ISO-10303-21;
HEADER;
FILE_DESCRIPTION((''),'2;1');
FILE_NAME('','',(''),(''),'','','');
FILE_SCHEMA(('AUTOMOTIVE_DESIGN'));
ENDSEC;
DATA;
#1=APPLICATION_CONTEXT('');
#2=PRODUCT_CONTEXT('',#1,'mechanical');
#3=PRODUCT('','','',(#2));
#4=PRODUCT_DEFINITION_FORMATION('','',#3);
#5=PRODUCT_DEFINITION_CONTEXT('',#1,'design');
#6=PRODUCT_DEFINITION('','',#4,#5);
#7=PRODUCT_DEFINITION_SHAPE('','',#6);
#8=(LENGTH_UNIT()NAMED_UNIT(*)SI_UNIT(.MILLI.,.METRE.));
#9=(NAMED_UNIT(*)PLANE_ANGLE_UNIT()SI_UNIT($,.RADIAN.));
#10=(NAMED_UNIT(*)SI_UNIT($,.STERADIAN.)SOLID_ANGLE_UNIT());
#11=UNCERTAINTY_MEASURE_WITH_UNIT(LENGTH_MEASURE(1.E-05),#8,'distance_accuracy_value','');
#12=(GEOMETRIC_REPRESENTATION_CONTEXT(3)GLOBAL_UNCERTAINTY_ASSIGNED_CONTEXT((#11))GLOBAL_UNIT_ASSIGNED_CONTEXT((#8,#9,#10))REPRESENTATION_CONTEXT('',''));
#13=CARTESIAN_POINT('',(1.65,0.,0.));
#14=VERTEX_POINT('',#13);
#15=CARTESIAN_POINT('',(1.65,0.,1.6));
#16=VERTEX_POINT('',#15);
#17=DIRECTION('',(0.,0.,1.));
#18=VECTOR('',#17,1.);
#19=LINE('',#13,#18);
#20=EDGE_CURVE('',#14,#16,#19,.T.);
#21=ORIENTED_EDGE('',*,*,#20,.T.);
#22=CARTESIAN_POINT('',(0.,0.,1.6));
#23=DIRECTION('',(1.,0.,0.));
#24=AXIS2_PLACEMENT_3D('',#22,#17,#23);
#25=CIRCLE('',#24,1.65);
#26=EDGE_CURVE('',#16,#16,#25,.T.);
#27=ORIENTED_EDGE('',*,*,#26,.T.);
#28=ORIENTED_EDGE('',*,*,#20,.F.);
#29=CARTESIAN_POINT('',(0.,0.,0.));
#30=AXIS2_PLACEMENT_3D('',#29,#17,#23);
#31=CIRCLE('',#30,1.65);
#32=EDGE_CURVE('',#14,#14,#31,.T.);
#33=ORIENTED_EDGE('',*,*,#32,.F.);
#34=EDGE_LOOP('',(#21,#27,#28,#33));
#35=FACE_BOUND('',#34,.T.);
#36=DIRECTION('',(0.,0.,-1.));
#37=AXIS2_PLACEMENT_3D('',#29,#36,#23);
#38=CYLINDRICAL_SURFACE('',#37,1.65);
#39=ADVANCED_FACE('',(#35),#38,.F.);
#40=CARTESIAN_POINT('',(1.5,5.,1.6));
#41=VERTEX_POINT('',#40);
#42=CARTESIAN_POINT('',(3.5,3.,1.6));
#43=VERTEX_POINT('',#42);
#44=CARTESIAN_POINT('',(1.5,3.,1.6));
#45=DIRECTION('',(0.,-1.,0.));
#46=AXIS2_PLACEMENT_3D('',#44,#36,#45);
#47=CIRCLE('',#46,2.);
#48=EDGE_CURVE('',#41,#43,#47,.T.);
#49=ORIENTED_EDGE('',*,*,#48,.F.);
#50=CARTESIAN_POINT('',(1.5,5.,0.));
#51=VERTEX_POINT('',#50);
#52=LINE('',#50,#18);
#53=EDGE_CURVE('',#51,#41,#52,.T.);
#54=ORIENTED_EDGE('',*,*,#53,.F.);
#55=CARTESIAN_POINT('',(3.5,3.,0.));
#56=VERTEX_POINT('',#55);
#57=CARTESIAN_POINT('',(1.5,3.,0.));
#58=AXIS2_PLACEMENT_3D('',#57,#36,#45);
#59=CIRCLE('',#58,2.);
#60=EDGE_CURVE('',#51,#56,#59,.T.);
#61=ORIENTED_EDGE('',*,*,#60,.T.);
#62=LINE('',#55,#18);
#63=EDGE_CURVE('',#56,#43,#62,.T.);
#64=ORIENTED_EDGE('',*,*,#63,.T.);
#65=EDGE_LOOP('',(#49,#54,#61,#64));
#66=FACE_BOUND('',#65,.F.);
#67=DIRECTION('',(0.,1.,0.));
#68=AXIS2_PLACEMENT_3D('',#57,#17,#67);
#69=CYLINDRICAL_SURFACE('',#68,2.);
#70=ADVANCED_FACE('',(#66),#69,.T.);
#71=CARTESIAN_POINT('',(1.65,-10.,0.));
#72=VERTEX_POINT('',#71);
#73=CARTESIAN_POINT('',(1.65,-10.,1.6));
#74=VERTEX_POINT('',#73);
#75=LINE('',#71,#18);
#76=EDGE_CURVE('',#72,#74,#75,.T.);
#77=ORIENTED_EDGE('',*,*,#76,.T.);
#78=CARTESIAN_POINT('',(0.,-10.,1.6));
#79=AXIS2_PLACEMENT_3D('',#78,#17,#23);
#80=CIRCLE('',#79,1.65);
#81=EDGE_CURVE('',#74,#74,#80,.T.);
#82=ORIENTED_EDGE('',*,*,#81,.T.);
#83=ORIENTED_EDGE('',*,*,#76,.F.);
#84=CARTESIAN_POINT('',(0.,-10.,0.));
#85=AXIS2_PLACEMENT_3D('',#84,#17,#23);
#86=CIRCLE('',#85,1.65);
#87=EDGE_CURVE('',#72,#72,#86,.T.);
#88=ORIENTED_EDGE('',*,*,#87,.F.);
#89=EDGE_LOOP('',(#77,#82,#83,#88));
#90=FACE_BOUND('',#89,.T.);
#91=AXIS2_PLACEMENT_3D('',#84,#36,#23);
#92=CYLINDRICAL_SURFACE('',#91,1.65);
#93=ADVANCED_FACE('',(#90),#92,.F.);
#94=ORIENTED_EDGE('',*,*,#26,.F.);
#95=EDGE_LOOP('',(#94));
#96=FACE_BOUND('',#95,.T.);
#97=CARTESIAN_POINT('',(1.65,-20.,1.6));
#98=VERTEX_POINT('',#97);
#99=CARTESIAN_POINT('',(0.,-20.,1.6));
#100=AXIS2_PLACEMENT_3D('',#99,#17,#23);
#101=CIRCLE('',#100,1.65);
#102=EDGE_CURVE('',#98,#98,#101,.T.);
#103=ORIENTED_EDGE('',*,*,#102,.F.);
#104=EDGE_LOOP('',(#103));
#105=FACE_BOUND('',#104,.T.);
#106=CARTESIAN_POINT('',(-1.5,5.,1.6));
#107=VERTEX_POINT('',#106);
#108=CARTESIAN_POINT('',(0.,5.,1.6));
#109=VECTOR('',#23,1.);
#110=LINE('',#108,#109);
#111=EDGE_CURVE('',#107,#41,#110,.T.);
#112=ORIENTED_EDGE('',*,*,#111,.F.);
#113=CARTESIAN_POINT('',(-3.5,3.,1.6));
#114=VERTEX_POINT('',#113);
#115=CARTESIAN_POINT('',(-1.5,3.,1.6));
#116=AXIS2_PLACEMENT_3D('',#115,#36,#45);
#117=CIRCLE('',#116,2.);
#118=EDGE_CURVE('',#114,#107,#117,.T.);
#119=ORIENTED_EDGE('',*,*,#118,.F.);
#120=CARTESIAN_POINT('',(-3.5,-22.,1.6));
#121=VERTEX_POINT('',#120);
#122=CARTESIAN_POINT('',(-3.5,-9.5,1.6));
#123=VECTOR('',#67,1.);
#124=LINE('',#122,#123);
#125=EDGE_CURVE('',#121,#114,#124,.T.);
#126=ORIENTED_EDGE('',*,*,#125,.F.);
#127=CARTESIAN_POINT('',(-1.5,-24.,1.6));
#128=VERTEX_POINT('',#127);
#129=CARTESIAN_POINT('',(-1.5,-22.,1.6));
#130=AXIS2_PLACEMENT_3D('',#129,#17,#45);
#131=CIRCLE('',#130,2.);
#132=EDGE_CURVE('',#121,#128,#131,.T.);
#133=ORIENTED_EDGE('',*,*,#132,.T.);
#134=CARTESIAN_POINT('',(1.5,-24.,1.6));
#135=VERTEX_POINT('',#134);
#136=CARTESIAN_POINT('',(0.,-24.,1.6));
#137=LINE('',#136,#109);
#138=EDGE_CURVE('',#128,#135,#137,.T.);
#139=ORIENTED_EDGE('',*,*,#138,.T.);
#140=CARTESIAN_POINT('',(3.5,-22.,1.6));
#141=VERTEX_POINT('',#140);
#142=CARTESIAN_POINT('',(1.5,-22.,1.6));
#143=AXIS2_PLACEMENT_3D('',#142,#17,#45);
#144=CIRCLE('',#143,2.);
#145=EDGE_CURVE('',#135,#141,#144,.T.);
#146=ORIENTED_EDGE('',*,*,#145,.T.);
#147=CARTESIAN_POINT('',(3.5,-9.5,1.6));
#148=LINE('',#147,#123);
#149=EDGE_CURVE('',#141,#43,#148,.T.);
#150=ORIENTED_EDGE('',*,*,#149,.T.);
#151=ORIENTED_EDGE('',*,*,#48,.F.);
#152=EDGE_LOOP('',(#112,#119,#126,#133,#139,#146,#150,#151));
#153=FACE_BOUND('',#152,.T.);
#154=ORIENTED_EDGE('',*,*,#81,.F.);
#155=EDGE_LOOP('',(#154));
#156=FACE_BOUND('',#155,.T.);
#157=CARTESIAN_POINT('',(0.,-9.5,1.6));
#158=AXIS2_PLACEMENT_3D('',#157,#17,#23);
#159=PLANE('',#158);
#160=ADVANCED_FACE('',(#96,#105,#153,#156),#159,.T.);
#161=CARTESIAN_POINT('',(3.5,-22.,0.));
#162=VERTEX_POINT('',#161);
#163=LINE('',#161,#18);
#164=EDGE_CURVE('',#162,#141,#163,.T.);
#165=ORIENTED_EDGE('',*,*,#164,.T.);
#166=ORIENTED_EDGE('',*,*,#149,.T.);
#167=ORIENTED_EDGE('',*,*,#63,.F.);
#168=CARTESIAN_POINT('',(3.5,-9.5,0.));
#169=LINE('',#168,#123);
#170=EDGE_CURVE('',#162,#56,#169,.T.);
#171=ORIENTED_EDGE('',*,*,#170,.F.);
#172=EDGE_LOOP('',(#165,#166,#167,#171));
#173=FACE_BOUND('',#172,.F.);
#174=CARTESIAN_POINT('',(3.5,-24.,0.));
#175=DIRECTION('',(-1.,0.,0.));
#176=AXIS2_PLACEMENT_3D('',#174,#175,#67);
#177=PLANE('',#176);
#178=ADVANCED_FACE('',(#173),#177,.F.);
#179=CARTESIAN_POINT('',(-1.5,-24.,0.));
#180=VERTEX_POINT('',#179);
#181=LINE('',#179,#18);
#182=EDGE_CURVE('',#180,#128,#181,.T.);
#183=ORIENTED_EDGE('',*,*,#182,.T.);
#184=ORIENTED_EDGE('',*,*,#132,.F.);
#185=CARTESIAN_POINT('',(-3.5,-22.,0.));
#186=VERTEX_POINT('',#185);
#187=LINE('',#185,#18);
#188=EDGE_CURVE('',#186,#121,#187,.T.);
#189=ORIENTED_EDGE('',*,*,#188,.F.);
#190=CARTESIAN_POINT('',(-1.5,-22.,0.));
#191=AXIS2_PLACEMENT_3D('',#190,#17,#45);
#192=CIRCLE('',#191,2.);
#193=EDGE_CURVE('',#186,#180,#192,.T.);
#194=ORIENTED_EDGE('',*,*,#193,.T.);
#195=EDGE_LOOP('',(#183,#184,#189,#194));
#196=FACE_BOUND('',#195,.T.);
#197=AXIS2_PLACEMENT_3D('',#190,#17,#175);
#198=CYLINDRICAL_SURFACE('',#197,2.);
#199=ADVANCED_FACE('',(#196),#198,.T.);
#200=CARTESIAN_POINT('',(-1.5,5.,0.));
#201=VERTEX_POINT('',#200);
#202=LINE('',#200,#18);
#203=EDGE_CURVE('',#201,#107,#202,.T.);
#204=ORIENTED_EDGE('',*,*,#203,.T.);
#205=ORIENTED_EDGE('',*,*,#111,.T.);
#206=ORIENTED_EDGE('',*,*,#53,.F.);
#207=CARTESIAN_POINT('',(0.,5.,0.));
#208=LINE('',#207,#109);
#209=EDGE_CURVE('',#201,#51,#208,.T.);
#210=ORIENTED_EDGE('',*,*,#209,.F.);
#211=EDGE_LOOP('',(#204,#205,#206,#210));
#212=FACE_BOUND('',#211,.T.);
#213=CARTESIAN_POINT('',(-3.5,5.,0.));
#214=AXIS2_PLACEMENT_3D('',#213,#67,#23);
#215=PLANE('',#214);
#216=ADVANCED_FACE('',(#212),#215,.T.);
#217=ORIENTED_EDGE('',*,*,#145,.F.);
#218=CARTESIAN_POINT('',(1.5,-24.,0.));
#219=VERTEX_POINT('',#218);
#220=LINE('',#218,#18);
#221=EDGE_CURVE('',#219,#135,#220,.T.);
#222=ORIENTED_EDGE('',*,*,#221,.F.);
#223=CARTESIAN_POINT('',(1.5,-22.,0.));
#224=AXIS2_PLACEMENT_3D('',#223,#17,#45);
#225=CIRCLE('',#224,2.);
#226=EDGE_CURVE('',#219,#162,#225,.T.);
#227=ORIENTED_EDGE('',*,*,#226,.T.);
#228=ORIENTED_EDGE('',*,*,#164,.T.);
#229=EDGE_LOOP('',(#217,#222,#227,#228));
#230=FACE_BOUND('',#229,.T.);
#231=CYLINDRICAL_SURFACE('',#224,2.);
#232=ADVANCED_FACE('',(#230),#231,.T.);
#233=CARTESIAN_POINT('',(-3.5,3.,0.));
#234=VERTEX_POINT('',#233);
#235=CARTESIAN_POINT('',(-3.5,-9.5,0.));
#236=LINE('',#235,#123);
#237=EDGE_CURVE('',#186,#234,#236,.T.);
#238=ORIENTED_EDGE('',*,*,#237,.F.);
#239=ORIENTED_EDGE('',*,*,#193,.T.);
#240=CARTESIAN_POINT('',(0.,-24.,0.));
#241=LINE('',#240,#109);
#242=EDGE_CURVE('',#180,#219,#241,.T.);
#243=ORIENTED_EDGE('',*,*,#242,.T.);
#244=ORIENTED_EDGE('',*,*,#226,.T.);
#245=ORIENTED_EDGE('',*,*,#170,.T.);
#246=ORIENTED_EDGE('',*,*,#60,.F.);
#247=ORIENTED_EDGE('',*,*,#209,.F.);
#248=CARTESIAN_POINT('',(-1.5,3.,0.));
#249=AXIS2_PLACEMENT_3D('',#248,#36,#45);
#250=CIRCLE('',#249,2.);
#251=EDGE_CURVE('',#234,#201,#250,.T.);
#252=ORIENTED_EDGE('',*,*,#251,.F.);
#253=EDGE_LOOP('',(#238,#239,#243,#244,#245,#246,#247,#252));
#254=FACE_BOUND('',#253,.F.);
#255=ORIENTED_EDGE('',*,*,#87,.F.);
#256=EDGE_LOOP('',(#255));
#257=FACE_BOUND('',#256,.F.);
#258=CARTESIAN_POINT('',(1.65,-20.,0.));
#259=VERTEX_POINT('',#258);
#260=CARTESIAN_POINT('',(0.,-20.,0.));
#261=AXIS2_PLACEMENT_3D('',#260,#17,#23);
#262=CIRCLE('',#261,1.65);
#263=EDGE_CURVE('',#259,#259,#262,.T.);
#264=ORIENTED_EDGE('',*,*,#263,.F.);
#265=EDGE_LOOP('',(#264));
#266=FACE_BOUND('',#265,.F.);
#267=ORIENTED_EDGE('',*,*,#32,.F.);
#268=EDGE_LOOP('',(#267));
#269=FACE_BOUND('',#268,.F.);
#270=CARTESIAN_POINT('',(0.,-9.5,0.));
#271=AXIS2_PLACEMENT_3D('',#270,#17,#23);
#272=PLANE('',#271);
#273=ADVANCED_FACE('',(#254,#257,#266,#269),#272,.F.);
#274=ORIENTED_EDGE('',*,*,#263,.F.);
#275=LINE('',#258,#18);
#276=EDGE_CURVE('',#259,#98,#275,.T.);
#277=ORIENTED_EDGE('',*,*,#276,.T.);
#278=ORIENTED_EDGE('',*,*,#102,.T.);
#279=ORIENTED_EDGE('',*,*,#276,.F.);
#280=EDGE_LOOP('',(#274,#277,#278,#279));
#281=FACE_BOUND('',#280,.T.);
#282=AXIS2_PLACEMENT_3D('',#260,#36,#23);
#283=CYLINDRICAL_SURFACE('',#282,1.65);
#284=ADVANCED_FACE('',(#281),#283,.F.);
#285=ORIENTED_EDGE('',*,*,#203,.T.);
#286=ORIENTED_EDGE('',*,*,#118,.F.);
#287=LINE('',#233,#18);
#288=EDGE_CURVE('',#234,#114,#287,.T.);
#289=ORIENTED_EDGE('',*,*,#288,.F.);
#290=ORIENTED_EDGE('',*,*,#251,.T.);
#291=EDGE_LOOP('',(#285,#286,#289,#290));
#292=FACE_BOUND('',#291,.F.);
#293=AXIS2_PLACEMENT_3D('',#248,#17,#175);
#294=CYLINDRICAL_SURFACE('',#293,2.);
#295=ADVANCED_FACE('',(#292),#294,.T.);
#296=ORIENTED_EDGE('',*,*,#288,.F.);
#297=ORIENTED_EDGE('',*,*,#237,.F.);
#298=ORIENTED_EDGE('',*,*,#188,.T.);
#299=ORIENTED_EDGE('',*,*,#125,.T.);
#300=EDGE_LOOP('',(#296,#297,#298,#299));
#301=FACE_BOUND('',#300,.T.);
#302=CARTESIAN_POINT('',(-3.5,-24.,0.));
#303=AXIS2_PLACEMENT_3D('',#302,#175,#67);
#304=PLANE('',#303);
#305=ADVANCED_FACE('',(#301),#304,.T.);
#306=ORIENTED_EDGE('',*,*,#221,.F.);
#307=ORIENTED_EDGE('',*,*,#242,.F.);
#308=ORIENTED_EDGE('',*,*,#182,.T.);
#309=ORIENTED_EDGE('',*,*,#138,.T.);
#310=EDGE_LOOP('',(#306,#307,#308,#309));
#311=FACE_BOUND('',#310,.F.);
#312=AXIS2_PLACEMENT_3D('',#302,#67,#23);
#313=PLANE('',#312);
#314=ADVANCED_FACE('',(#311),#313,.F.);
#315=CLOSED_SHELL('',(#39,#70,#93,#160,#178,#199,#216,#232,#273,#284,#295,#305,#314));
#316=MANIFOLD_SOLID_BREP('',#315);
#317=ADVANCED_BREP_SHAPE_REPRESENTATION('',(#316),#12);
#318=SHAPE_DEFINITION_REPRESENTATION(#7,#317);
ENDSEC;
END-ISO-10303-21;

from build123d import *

# Parameters (mm, degrees)
SKETCH_W  = 7
SKETCH_H  = 29
SKETCH_R  = 1.65
PAD_DEPTH = 1.6
FILLET_R  = 2


with BuildPart() as part:
    # Sketch → Pad (new body)
    with BuildSketch(Plane.XY):
        with Locations((0, -9.5)):
            Rectangle(SKETCH_W, SKETCH_H)
        Circle(SKETCH_R, mode=Mode.SUBTRACT)
        with Locations((0, -10)):
            Circle(SKETCH_R, mode=Mode.SUBTRACT)
        with Locations((0, -20)):
            Circle(SKETCH_R, mode=Mode.SUBTRACT)
    extrude(amount=PAD_DEPTH)

    # Fillet
    fillet_edges = [part.edges().sort_by_distance(p)[0] for p in [
        (3.5, 5, 0.8),
        (3.5, -24, 0.8),
        (-3.5, -24, 0.8),
        (-3.5, 5, 0.8),
    ]]
    fillet(fillet_edges, radius=FILLET_R)


solid = part.part
